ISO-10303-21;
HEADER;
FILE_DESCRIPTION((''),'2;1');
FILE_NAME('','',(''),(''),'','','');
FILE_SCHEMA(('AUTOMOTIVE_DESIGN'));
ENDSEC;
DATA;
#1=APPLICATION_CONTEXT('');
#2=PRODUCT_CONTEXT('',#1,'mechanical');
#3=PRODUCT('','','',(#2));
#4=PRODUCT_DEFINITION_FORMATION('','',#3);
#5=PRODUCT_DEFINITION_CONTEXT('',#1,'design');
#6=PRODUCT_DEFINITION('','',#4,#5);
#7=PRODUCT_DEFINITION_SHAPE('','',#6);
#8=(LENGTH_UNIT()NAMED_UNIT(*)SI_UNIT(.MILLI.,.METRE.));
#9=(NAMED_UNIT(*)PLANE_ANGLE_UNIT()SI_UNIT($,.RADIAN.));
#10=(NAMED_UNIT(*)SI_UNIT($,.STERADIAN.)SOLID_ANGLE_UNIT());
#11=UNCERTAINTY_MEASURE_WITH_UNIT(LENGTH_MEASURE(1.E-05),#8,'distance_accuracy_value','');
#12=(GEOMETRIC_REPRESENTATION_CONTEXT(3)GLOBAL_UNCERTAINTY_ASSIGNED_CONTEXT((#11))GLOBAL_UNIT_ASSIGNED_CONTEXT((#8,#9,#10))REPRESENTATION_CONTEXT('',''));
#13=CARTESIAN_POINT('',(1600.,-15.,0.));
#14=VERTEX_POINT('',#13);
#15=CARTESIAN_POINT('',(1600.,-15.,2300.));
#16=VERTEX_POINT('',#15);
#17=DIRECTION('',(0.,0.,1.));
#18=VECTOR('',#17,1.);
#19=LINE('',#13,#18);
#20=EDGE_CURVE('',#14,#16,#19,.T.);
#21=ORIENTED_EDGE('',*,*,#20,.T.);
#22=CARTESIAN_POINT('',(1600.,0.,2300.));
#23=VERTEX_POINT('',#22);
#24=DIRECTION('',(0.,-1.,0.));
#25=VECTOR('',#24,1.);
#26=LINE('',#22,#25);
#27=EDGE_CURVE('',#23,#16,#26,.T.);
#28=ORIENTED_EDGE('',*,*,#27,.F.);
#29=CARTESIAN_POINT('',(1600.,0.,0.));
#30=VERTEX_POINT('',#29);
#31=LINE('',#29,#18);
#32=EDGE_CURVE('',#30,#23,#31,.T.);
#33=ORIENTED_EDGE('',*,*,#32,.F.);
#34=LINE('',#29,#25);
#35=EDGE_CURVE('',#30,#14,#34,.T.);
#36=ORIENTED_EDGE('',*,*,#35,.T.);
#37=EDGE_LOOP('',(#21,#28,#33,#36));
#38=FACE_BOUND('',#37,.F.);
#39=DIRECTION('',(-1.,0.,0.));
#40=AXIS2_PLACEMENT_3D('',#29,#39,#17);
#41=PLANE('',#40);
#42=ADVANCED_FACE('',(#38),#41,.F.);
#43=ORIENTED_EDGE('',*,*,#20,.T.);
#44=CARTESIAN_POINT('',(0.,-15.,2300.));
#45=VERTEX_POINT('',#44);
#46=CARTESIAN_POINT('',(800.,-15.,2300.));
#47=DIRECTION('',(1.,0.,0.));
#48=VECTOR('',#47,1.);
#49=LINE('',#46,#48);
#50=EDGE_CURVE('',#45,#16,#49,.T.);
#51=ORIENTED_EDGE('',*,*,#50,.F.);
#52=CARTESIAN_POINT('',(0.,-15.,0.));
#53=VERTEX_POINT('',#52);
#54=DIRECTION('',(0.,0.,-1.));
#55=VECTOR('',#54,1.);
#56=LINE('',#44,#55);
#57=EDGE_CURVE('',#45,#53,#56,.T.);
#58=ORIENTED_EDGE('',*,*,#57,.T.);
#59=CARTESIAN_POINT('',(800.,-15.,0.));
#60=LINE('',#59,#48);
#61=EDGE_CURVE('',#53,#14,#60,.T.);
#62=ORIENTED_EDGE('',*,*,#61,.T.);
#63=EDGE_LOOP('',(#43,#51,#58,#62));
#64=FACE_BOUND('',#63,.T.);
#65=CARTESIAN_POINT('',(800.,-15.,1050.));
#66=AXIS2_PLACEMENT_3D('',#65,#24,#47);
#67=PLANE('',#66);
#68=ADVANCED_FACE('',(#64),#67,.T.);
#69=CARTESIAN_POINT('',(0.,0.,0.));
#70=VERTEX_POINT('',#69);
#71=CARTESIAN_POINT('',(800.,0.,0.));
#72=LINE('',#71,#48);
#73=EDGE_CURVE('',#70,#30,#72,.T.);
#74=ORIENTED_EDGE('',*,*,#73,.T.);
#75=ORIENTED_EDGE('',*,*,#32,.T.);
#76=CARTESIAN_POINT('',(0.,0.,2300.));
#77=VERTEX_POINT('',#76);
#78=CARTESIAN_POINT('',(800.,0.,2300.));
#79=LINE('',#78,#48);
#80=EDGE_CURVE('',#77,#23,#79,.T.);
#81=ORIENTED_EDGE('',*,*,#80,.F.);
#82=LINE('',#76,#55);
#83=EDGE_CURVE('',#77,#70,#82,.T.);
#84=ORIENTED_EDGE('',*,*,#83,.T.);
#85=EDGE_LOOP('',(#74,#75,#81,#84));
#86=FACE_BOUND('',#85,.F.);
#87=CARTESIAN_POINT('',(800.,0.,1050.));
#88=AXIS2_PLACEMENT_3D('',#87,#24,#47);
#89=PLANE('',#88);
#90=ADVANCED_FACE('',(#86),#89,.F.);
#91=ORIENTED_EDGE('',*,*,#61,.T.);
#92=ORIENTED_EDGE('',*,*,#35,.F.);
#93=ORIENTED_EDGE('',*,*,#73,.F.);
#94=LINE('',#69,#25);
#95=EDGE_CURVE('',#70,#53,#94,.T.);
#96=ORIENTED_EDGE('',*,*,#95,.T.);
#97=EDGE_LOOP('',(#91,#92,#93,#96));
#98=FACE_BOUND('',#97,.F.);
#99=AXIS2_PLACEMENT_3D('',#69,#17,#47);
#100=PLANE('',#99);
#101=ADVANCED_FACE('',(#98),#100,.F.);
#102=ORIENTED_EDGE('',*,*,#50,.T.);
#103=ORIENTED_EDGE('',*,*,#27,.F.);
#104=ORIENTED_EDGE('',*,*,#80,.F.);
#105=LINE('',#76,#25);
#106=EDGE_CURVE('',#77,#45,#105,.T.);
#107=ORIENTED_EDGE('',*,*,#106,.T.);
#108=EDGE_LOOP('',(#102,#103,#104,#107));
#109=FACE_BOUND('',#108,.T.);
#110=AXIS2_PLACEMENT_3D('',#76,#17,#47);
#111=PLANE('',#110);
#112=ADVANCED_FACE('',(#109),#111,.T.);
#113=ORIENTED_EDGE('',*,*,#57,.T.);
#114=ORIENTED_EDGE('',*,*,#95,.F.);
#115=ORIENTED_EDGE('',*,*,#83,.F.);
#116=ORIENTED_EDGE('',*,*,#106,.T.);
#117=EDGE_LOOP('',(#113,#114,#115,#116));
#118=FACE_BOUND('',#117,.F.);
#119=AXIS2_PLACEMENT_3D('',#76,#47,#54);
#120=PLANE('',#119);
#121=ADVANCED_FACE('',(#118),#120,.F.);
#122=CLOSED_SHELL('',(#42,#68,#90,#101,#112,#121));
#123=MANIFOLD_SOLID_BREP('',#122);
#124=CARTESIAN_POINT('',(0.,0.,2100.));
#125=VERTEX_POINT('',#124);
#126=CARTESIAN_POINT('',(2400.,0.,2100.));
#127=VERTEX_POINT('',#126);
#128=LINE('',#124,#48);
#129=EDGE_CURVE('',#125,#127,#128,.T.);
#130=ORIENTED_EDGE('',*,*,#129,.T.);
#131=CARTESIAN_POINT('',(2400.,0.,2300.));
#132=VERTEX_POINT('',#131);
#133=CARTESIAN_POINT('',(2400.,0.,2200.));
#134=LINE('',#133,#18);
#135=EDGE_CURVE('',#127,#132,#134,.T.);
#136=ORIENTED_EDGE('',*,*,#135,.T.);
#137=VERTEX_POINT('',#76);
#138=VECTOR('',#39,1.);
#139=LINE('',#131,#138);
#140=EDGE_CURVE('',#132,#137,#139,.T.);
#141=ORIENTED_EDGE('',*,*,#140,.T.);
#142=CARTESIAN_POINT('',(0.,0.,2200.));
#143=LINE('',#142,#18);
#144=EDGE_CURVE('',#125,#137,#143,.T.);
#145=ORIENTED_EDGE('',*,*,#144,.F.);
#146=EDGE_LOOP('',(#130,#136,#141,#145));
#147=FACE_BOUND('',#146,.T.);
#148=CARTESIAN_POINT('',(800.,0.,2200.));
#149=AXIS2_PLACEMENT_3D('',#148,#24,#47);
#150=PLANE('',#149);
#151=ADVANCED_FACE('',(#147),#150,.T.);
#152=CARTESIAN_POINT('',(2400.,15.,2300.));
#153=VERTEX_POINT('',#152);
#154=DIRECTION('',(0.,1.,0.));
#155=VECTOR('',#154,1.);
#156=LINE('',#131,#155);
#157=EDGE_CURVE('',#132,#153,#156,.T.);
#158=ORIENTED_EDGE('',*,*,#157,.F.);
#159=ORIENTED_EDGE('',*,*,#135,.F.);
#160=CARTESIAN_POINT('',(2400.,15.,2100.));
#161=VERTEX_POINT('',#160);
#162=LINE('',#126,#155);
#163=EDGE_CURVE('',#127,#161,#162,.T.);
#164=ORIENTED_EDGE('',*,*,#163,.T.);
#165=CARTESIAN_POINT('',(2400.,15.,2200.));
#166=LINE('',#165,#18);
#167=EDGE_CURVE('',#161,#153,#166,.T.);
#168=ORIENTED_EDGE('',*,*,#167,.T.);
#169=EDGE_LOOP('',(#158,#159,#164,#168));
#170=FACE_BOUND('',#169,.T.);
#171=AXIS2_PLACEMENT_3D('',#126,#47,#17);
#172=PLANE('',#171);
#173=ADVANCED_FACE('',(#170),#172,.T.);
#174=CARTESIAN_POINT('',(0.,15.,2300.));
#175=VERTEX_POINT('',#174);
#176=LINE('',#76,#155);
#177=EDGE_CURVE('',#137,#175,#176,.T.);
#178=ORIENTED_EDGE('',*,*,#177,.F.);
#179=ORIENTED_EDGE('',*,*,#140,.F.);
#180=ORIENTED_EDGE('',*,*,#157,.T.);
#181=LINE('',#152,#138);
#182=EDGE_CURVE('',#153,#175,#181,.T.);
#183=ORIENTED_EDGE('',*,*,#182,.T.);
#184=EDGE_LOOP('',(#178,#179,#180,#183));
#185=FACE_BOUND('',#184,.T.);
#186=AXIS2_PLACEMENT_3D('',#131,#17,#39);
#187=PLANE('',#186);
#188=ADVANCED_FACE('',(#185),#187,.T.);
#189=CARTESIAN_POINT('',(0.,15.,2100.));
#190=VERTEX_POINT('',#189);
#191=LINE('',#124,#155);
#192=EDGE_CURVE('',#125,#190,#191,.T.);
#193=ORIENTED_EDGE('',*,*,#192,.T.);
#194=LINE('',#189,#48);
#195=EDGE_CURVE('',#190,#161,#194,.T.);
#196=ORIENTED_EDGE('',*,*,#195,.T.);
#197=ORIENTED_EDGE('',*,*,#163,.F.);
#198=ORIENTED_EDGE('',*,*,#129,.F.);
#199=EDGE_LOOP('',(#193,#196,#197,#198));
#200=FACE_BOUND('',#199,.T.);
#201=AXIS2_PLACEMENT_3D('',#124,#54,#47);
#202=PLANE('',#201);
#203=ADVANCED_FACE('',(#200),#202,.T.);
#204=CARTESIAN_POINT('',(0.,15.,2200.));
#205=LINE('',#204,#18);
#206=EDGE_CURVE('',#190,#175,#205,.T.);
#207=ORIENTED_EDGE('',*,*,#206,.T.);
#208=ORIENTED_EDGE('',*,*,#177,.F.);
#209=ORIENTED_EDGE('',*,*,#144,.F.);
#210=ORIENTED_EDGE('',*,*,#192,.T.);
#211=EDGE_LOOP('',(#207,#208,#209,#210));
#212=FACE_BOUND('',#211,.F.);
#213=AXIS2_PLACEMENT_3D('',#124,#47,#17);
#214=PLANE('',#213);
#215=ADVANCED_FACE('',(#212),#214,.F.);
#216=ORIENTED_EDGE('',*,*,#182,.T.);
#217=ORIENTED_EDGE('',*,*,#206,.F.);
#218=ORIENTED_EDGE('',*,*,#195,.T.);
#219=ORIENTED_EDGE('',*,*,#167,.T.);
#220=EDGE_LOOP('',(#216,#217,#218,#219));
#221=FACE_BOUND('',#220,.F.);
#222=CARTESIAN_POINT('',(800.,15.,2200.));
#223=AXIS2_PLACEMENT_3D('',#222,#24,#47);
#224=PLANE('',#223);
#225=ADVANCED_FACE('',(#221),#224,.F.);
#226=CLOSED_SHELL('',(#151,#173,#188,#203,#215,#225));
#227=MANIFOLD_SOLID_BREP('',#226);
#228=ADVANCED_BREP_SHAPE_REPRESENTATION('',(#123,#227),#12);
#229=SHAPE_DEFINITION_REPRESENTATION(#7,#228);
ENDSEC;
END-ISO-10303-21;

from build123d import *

# Parameters (mm, degrees)
F0_W     = 1600
F0_H     = 2100
F0_H_2   = 200
F1_DEPTH = 15
F0_W_2   = 800
F2_DEPTH = 15


with BuildPart() as f1:
    # F0 (on Front) → F1 (new body)
    with BuildSketch(Plane.XZ):
        with Locations((800, 1050)):
            Rectangle(F0_W, F0_H)
        with Locations((800, 2200)):
            Rectangle(F0_W, F0_H_2)
    extrude(amount=F1_DEPTH)


with BuildPart() as f2:
    # F0 (on Front) → F2 (new body)
    with BuildSketch(Plane.XZ):
        with Locations((800, 2200)):
            Rectangle(F0_W, F0_H_2)
        with Locations((2000, 2200)):
            Rectangle(F0_W_2, F0_H_2)
    extrude(amount=-F2_DEPTH)


solid = Compound([f1.part, f2.part])
